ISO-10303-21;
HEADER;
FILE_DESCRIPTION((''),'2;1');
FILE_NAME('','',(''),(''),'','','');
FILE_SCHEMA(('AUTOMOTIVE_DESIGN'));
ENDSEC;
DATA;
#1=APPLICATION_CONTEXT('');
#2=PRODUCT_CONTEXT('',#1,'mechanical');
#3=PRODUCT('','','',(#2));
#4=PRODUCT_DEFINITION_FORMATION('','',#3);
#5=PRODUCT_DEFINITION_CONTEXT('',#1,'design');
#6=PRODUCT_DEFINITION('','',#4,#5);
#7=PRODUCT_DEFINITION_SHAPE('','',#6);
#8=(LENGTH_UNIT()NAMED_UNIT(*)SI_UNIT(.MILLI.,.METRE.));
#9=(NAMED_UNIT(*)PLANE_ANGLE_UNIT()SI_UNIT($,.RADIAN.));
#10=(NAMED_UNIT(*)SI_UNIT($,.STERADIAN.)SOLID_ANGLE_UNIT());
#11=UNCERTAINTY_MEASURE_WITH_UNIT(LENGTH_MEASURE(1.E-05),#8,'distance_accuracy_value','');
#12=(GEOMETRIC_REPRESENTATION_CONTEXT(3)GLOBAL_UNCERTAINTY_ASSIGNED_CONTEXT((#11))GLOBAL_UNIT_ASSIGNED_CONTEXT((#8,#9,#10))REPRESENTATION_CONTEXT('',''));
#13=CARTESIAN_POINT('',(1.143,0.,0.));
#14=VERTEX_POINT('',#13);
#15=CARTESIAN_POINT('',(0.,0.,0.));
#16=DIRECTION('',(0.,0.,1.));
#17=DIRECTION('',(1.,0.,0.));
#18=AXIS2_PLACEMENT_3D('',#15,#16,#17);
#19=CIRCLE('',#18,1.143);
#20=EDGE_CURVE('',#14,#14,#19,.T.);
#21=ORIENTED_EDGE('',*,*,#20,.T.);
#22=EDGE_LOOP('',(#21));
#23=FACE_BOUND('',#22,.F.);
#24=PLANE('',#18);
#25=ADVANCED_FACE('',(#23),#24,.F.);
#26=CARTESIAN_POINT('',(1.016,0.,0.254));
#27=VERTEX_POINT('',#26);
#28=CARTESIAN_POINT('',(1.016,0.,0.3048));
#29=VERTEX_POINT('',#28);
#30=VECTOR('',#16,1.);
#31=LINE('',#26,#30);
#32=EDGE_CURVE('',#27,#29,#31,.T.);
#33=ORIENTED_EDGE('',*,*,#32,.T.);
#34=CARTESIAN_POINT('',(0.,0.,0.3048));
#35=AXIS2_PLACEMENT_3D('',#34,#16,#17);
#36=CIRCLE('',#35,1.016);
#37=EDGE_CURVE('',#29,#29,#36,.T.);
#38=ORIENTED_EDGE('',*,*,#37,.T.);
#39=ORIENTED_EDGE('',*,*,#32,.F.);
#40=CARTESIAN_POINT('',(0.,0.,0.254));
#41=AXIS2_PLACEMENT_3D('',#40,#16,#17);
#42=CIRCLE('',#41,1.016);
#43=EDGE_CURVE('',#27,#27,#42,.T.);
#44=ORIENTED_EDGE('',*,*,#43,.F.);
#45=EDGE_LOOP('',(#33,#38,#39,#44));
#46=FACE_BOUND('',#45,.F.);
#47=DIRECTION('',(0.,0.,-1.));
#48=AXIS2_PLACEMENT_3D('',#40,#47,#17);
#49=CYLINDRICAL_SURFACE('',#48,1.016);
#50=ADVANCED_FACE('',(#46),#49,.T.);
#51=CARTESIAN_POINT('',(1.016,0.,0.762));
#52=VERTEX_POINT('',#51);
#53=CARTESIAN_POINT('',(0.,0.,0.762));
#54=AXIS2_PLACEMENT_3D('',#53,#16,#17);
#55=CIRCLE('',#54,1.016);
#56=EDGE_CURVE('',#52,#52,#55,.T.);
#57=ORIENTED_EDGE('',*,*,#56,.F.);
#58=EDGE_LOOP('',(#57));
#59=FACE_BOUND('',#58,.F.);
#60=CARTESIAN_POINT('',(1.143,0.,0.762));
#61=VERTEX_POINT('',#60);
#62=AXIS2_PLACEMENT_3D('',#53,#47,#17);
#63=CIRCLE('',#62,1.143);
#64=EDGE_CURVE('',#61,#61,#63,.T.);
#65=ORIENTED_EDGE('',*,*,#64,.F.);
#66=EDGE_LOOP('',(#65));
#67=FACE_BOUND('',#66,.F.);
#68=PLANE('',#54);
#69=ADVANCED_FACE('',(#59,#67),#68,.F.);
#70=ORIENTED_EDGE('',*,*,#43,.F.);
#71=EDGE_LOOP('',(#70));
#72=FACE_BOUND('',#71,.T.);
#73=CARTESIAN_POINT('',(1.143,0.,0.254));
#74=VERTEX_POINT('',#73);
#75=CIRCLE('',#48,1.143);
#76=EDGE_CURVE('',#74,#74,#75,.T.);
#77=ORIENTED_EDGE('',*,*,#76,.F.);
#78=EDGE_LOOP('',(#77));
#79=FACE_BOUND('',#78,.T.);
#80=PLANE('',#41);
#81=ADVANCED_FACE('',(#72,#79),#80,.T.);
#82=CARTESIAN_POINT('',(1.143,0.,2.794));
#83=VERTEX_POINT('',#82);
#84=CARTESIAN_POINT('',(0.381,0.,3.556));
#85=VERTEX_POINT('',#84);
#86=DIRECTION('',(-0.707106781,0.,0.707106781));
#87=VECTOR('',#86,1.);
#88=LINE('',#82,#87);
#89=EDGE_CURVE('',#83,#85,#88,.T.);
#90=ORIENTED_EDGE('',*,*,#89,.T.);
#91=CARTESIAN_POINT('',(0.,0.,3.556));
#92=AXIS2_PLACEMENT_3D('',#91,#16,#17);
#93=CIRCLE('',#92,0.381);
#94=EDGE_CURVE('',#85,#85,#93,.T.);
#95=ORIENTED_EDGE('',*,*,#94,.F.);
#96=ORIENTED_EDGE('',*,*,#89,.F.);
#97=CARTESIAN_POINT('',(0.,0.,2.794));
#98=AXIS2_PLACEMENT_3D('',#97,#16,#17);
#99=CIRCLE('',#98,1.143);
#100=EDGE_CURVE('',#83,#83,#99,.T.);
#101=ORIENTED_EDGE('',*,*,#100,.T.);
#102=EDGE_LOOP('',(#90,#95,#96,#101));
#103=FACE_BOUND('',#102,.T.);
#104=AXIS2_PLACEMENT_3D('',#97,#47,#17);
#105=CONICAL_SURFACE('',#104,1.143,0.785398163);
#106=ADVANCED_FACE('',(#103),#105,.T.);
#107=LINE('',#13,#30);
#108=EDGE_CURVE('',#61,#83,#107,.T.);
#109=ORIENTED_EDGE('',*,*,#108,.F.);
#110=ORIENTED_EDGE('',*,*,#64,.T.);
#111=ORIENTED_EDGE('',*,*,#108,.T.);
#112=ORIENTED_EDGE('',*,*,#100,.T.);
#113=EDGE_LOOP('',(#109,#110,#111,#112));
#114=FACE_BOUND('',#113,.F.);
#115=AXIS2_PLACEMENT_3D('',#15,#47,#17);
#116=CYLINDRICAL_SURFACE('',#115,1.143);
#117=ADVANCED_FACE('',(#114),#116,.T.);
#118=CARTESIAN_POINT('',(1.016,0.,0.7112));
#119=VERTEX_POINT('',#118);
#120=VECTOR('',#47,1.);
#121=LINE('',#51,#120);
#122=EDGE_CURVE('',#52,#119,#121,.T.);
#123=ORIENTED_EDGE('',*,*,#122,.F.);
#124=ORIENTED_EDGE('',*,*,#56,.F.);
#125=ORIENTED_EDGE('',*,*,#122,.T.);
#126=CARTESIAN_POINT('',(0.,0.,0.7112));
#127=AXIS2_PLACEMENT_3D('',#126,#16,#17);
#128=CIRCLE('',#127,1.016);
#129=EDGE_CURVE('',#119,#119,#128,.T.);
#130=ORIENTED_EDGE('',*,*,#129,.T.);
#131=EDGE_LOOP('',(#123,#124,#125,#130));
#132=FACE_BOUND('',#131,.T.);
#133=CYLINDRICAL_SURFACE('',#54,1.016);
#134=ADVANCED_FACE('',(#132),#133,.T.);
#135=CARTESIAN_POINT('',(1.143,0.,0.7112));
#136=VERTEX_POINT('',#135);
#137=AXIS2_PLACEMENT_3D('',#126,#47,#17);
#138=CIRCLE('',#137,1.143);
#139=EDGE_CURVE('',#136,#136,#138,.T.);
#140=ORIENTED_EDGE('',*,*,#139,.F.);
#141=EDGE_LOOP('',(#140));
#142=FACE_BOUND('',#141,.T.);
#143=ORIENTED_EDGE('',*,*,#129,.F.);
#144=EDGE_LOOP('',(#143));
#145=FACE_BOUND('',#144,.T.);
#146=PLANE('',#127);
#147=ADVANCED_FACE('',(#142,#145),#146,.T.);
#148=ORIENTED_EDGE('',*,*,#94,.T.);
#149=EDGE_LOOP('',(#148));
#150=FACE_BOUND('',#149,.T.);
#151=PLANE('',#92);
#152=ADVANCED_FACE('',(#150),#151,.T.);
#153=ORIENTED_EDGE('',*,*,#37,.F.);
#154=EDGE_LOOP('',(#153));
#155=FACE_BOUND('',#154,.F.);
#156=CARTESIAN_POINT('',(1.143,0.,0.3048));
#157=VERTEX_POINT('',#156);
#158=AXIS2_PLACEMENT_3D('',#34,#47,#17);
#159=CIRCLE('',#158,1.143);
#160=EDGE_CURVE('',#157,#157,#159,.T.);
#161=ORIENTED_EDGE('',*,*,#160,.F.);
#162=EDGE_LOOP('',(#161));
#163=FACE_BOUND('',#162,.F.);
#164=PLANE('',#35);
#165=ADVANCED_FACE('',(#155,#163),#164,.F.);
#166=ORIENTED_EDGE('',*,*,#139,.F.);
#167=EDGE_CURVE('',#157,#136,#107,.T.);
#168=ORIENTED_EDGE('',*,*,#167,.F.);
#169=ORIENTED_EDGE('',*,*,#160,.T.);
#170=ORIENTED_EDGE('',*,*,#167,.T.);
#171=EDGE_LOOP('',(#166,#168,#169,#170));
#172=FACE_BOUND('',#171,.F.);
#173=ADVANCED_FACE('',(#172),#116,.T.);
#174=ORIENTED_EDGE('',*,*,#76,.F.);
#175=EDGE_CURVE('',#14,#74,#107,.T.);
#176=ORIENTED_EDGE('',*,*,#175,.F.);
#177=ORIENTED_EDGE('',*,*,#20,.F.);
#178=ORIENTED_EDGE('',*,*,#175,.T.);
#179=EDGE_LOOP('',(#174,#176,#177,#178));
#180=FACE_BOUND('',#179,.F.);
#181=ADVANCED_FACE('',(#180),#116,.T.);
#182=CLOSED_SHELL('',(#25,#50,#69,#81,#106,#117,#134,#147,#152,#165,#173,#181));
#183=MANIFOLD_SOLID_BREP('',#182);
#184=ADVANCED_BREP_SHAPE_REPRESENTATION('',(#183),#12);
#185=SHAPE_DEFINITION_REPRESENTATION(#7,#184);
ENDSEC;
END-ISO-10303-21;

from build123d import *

# Parameters (mm, degrees)
F0_R     = 1.143
F1_DEPTH = 3.556
F4_R     = 1.1557
F4_R_2   = 1.016
F5_DEPTH = 0.0508
F6_R     = 1.1557
F6_R_2   = 1.016
F7_DEPTH = 0.0508
F8_SIZE  = 0.762


with BuildPart() as f1:
    # F0 (on Top) → F1 (new body)
    with BuildSketch(Plane.XY):
        Circle(F0_R)
    extrude(amount=F1_DEPTH)

    # F4 (on offset) → F5 (cut)
    with BuildSketch(Plane.XY.offset(0.254)):
        Circle(F4_R)
        Circle(F4_R_2, mode=Mode.SUBTRACT)
    extrude(amount=F5_DEPTH, mode=Mode.SUBTRACT)

    # F6 (on offset) → F7 (cut)
    with BuildSketch(Plane.XY.offset(0.762)):
        Circle(F6_R)
        Circle(F6_R_2, mode=Mode.SUBTRACT)
    extrude(amount=-F7_DEPTH, mode=Mode.SUBTRACT)

    # F8
    f8_edges = [f1.edges().sort_by_distance(p)[0] for p in [
        (-1.143, 0, 3.556),
    ]]
    chamfer(f8_edges, length=F8_SIZE)


solid = f1.part
